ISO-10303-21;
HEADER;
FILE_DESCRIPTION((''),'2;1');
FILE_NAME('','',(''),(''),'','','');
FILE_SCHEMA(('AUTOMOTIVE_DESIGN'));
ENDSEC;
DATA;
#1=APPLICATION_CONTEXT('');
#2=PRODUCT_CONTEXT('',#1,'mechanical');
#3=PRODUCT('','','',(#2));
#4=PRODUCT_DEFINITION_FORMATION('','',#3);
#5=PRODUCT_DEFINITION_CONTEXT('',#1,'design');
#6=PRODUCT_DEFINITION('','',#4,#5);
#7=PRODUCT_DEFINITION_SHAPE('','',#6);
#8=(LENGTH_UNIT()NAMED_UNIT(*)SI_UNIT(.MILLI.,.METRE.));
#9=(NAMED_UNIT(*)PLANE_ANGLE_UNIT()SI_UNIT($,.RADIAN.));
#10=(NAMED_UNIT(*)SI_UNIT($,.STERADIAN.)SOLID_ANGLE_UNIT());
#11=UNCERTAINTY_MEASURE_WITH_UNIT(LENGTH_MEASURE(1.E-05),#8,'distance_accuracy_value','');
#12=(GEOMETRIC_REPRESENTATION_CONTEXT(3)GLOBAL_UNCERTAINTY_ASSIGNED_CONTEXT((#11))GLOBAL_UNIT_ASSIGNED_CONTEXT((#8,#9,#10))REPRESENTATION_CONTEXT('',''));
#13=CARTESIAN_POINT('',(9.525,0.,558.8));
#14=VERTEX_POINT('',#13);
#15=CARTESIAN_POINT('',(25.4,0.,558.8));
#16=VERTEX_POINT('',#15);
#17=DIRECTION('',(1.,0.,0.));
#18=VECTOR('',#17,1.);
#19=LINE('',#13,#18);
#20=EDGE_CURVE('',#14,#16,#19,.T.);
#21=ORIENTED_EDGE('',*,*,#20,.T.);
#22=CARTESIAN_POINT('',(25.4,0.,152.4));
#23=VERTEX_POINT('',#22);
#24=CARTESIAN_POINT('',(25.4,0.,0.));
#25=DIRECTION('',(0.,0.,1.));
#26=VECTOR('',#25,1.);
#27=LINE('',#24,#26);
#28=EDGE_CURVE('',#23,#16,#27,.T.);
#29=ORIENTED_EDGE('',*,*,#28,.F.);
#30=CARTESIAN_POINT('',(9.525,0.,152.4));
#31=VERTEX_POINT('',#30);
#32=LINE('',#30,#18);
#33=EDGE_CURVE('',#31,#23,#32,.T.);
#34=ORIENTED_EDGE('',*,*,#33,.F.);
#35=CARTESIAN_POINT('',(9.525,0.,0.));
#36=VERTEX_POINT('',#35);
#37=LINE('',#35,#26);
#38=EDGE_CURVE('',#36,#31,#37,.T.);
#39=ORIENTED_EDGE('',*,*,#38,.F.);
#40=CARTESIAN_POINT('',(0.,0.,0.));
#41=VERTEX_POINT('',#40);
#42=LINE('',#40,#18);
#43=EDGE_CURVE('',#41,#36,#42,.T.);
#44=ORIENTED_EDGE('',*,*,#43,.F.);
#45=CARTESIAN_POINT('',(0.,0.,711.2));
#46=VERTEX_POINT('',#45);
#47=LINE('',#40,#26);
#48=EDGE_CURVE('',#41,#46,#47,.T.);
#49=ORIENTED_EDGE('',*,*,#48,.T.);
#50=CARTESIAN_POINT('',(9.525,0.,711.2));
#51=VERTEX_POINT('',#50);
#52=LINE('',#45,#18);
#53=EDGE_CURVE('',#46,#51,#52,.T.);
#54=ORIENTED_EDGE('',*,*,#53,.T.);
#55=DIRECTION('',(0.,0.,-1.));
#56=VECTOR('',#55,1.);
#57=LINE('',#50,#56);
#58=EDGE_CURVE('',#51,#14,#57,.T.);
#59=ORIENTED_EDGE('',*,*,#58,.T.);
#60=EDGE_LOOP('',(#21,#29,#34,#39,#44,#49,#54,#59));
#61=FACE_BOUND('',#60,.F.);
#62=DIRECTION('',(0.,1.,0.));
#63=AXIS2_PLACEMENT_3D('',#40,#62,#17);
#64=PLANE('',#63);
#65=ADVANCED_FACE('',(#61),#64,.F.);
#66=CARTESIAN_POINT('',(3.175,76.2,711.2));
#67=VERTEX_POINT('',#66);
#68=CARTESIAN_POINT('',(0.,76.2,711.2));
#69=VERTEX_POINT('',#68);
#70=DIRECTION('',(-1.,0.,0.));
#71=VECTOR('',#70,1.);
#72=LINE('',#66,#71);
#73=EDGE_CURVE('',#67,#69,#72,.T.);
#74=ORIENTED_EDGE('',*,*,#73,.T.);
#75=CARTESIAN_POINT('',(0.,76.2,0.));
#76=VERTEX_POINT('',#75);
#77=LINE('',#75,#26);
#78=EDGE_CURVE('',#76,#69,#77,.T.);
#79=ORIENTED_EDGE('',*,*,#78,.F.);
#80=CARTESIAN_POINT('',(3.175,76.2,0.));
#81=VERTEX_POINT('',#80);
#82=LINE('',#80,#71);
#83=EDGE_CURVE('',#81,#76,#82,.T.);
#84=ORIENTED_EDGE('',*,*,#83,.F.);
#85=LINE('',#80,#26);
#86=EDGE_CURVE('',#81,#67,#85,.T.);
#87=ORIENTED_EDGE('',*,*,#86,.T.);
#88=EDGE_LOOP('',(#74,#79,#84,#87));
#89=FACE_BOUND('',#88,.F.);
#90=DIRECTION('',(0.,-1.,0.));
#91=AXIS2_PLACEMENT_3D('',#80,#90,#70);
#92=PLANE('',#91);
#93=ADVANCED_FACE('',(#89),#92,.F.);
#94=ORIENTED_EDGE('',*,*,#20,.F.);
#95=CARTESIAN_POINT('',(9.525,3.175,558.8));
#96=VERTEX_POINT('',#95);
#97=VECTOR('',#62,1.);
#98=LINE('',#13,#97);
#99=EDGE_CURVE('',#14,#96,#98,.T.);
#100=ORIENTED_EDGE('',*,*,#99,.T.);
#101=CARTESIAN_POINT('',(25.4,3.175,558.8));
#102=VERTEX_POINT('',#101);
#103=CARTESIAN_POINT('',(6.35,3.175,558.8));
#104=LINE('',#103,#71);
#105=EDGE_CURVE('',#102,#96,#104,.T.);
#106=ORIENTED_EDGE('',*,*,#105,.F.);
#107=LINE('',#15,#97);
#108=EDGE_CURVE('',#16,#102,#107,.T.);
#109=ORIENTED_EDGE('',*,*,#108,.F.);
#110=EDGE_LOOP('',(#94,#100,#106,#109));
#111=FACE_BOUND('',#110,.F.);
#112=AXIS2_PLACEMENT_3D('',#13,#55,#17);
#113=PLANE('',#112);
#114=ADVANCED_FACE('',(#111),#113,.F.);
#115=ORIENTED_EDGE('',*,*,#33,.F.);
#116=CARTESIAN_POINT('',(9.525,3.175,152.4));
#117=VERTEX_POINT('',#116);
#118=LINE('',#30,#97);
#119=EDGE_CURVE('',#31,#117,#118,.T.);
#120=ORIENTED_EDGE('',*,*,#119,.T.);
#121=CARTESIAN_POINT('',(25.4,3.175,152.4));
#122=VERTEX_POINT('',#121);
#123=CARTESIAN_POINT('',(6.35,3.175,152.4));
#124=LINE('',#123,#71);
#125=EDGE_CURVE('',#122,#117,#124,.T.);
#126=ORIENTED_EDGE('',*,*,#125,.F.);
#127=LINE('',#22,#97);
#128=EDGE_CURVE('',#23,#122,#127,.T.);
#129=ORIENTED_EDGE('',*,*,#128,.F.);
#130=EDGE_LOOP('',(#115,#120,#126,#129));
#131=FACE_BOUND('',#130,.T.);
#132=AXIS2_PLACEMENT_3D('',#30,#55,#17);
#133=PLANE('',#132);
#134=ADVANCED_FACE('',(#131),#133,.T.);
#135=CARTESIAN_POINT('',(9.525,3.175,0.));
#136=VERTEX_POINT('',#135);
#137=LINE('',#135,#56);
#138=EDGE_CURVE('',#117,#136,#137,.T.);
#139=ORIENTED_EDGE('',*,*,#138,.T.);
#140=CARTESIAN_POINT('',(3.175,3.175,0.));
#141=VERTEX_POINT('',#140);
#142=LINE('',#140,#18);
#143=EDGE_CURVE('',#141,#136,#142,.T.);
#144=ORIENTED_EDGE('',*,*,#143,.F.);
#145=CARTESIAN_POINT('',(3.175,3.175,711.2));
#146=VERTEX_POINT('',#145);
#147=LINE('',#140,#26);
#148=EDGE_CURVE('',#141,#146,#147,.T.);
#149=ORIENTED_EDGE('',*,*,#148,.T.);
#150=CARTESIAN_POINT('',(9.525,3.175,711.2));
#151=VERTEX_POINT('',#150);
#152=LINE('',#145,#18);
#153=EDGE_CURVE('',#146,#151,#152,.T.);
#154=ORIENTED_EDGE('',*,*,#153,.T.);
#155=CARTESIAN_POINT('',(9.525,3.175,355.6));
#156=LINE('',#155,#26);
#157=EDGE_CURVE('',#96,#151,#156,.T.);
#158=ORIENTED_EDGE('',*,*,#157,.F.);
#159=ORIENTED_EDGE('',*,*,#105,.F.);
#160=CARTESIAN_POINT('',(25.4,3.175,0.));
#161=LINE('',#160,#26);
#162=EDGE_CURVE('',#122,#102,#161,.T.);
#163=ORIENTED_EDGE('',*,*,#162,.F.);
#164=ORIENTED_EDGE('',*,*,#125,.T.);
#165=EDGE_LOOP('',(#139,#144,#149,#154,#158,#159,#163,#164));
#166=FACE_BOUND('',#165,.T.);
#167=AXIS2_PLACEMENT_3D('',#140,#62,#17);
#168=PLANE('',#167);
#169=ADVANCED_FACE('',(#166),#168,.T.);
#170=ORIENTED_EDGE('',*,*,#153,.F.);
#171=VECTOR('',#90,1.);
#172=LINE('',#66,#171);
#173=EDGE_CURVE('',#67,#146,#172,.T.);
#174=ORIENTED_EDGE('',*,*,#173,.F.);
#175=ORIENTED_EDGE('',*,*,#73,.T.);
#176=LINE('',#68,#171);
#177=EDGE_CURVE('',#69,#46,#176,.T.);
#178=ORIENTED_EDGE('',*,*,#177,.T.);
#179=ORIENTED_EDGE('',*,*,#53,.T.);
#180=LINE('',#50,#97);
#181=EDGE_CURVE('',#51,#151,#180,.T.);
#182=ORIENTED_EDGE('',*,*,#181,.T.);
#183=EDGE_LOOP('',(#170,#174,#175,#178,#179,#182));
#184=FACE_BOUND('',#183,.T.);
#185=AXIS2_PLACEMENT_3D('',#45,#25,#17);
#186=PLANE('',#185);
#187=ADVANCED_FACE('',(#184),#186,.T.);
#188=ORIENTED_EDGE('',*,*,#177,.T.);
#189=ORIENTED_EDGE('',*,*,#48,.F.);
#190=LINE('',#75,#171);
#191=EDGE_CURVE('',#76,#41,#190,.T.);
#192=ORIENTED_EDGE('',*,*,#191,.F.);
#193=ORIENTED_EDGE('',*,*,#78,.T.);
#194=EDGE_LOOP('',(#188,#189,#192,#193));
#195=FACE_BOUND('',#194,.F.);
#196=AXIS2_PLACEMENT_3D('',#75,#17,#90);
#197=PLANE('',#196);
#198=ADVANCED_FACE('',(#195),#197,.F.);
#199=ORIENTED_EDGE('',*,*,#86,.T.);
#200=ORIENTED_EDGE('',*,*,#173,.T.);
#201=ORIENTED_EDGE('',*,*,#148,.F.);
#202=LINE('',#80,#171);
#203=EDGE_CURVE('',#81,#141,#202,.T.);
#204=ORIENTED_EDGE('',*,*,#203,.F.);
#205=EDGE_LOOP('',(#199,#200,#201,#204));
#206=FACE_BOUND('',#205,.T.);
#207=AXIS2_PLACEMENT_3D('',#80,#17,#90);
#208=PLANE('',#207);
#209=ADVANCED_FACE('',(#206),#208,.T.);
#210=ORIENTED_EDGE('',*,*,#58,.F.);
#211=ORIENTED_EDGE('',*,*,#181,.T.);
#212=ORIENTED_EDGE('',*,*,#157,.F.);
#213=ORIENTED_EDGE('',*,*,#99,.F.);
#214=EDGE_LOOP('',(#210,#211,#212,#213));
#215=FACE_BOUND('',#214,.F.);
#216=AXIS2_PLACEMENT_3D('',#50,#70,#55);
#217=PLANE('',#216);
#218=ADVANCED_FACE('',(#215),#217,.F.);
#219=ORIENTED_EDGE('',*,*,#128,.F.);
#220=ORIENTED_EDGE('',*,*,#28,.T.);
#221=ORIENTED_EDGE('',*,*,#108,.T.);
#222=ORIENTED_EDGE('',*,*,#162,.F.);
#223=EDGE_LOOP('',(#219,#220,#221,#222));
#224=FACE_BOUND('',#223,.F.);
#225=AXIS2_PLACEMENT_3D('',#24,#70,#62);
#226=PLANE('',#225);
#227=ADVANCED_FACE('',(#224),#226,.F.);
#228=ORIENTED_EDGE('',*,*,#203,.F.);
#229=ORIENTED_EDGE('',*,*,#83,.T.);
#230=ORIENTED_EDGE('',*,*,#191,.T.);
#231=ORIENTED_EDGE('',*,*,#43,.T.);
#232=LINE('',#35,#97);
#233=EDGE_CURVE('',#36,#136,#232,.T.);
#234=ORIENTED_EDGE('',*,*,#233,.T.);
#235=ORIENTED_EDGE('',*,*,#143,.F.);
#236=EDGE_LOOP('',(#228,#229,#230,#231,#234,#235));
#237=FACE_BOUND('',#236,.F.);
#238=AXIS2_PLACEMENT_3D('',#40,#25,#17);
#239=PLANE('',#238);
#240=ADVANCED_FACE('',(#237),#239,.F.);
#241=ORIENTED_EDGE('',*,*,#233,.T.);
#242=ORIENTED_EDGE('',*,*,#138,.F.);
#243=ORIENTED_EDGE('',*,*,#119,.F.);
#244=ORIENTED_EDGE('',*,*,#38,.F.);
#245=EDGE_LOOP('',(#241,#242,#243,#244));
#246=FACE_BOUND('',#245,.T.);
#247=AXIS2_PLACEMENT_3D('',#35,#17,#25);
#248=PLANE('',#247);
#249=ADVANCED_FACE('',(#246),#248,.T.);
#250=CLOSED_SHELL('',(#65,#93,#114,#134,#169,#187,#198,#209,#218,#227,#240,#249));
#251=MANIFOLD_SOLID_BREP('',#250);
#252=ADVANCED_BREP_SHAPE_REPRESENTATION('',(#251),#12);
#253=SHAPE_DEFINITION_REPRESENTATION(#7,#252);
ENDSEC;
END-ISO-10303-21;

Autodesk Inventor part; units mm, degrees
ref_plane "YZ Plane" through (0, 0, 0) normal (1, 0, 0) x (0, 1, 0)
ref_plane "XZ Plane" through (0, 0, 0) normal (0, 1, 0) x (-1, 0, 0)
ref_plane "XY Plane" through (0, 0, 0) normal (0, 0, 1) x (1, 0, 0)
sketch "Sketch1" plane through (0, 0, 0) normal (0, 0, 1) x (1, 0, 0)
  line L0 (0, 0) -> (25.4, 0)
  line L1 (25.4, 0) -> (25.4, 3.175)
  line L2 (3.175, 76.2) -> (0, 76.2)
  line L3 (0, 76.2) -> (0, 0)
  line L4 (3.175, 76.2) -> (3.175, 3.175)
  line L5 (3.175, 3.175) -> (25.4, 3.175)
  dimension "d0" = 76.2
  dimension "d1" = 25.4
  dimension "d2" = 3.175
  dimension "d3" = 3.175
extrude "Extrusion1" add sketch "Sketch1" along normal blind 711.2
sketch "Sketch2" plane through (0, 0, 0) normal (0, -1, 0) x (1, 0, 0)
  line L0 (0, 0) -> (0, 711.2) projected
  line L1 (25.4, 0) -> (25.4, 711.2) projected
  line L2 (0, 355.6) -> (25.4, 355.6)
  line L3 (25.4, 0) -> (9.525, 0)
  line L4 (9.525, 0) -> (9.525, 152.4)
  line L5 (9.525, 152.4) -> (25.4, 152.4)
  line L6 (25.4, 152.4) -> (25.4, 0)
  line L7 (25.4, 711.2) -> (9.525, 711.2)
  line L8 (9.525, 711.2) -> (9.525, 558.8)
  line L9 (9.525, 558.8) -> (25.4, 558.8)
  line L10 (25.4, 558.8) -> (25.4, 711.2)
  dimension "d7" = 15.875
  dimension "d8" = 152.4
extrude "Extrusion2" cut sketch "Sketch2" against normal through all
equation "\"d3\" = d2"
properties part number "frame 7 outside L"
